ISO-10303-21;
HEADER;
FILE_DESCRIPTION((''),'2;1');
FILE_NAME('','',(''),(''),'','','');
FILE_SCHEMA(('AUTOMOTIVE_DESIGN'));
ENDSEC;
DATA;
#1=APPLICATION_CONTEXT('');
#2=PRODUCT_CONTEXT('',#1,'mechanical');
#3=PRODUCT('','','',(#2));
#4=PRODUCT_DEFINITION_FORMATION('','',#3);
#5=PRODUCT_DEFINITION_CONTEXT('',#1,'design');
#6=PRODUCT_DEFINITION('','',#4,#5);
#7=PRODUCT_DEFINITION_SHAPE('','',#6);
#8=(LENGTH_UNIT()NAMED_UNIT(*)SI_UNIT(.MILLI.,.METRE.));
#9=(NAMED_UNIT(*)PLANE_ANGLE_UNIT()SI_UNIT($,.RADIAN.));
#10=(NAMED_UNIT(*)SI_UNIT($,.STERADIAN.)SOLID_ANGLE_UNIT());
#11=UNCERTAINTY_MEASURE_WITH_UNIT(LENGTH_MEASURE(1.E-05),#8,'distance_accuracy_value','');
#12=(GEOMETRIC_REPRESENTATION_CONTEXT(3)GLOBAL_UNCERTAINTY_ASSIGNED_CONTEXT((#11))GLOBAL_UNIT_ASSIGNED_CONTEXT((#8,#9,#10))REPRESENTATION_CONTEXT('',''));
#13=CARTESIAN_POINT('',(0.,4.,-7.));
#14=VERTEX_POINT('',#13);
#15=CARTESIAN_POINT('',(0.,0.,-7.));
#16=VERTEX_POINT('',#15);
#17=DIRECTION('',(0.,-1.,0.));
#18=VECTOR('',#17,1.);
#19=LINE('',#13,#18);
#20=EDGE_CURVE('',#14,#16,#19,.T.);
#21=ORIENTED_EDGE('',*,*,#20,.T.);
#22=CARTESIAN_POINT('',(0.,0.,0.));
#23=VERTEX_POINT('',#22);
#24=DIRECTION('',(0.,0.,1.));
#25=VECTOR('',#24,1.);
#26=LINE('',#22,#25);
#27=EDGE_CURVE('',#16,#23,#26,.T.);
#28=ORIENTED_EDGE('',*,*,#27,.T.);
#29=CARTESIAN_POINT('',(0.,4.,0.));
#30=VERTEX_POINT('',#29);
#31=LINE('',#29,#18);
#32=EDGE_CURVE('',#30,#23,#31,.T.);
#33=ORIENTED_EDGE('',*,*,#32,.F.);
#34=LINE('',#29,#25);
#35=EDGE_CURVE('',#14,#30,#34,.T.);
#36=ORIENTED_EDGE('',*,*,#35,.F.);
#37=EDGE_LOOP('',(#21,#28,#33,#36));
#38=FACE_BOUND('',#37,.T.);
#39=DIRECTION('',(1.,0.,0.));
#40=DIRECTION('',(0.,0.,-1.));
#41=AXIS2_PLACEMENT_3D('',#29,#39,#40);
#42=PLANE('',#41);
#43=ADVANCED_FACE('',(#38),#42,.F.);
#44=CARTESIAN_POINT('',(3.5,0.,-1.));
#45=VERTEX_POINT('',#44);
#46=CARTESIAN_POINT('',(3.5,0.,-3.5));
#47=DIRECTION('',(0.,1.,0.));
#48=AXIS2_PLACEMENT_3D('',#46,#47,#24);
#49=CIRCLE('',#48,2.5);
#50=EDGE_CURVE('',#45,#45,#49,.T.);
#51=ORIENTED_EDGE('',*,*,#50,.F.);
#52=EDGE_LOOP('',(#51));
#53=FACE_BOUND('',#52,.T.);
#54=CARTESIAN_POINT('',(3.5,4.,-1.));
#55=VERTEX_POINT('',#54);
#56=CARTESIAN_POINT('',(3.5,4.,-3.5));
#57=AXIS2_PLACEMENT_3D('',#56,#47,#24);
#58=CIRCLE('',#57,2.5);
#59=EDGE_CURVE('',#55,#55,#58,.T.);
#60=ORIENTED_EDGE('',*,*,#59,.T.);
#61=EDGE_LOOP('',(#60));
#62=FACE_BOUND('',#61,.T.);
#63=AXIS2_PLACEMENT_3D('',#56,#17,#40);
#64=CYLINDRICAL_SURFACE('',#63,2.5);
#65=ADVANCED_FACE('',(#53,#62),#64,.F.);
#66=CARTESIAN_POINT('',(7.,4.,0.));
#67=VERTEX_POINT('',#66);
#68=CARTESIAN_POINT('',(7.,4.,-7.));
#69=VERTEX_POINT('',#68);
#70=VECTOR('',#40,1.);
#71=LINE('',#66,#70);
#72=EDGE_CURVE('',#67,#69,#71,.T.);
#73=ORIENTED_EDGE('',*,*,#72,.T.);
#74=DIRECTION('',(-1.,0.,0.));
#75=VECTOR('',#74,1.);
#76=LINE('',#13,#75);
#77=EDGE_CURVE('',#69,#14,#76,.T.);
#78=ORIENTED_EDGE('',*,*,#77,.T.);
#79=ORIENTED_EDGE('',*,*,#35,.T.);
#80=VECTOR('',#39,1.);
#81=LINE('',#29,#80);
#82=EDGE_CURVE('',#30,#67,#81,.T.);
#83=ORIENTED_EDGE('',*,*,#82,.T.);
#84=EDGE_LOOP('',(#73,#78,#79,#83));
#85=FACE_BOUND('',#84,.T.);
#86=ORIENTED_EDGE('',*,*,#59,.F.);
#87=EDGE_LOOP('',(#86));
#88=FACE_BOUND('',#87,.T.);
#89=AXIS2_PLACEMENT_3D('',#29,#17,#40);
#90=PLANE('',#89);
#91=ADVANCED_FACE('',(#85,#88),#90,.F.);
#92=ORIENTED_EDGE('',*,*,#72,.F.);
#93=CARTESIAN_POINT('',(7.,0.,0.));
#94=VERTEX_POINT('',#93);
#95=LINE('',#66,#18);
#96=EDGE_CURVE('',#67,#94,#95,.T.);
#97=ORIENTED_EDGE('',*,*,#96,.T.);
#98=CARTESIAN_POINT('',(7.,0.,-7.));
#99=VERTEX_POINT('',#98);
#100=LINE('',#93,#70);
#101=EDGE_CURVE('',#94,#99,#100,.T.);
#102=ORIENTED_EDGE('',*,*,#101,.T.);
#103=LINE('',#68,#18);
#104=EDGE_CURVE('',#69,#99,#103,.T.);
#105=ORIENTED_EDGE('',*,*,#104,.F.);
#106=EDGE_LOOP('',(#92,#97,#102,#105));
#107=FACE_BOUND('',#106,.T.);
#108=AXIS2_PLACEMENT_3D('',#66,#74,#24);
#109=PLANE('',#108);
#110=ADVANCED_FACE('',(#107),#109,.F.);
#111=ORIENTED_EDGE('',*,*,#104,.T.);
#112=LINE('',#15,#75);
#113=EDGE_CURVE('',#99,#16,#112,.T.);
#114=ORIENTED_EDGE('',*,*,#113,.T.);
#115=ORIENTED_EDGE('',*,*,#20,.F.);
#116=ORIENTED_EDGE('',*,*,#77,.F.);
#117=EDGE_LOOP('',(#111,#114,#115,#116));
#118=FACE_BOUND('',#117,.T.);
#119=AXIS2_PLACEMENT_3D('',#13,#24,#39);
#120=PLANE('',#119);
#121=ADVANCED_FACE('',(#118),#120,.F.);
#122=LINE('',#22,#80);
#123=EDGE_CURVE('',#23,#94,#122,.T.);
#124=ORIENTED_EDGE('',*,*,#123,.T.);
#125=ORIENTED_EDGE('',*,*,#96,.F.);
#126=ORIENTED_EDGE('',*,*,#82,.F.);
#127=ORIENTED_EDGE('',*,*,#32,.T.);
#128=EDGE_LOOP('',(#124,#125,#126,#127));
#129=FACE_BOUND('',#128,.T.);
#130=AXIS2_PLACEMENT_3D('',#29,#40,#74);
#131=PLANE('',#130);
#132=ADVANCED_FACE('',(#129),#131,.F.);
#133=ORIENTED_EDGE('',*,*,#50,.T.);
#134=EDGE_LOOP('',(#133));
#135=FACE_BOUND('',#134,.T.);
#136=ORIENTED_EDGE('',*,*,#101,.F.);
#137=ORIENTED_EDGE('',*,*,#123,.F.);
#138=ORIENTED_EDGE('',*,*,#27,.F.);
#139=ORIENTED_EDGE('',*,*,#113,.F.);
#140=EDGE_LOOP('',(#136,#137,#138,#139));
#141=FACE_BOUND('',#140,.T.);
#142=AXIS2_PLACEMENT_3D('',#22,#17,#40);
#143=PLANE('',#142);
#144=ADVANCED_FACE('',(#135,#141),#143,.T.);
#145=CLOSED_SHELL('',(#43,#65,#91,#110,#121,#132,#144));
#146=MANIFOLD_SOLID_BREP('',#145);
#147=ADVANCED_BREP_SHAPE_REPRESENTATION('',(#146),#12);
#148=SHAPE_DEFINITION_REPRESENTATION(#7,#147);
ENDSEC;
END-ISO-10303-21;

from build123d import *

# Parameters (mm, degrees)
SKETCH_1_W      = 7
SKETCH_1_H      = 7
SKETCH_1_R      = 2.5
EXTRUDE_1_DEPTH = 4


with BuildPart() as part:
    # 草图1 → 凸台-拉伸1 (new body)
    with BuildSketch(Plane(origin=(0, 0, 0), x_dir=(1, 0, 0), z_dir=(0, 1, 0))):
        with Locations((3.5, 3.5)):
            Rectangle(SKETCH_1_W, SKETCH_1_H)
        with Locations(Location((3.5, 3.5, 0), (0, 0, 270))):
            Circle(SKETCH_1_R, mode=Mode.SUBTRACT)
    extrude(amount=EXTRUDE_1_DEPTH)


solid = part.part
